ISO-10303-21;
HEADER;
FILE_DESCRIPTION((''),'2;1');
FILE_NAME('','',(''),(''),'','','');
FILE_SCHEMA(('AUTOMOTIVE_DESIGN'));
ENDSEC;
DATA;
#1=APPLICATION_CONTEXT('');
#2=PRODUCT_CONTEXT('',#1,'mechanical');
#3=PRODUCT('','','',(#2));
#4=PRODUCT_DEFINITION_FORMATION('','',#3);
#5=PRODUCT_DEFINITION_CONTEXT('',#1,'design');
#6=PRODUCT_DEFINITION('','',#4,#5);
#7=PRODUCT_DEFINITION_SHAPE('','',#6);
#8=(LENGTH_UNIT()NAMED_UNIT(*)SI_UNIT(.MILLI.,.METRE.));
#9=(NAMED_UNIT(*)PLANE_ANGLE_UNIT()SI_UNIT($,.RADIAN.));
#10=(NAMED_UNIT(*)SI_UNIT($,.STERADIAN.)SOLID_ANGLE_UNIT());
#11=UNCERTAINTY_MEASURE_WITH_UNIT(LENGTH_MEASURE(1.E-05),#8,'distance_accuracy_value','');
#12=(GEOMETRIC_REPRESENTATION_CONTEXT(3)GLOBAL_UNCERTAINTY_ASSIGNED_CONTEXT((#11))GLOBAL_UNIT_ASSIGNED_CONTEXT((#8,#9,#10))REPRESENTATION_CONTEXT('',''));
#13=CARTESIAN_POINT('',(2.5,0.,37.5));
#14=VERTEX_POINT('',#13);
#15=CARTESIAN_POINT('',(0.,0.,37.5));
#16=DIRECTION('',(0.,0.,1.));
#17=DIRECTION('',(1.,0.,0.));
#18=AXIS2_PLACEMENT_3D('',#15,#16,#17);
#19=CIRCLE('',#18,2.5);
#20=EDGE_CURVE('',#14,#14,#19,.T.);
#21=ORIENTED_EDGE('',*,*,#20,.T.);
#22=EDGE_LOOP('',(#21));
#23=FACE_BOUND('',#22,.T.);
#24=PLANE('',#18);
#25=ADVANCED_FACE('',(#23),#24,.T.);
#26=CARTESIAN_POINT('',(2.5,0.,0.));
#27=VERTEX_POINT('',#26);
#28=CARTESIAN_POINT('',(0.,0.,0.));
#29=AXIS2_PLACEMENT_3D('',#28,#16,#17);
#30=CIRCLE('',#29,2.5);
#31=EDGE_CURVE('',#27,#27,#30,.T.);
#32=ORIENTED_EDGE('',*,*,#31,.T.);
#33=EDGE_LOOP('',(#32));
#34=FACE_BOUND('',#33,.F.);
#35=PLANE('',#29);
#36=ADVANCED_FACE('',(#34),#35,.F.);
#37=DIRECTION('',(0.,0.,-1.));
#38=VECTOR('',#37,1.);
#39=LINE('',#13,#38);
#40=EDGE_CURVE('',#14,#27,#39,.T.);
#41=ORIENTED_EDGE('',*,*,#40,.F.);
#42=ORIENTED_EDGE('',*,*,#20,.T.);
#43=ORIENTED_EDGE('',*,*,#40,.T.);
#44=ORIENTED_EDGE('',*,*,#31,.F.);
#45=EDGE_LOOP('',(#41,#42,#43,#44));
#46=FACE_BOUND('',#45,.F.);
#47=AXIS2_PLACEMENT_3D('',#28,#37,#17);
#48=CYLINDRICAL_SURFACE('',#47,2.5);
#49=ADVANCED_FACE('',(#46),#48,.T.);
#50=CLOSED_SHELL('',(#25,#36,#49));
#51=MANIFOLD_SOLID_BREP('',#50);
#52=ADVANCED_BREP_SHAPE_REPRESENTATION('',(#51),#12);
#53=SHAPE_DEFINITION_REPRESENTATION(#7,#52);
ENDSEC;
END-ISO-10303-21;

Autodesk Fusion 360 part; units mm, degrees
sketch "スケッチ1" plane through (0, 0, 0) normal (0, 0, 1) x (1, 0, 0)
  circle A0 centre (0, 0) radius 2.5
  dimension "d1" = 5
extrude "押し出し1" add sketch "スケッチ1" along normal blind 32.5
extrude "押し出し2" add 1 faces at (-0.8863, 0.2321, 32.5) along direction (0, 0, 1) blind 5
